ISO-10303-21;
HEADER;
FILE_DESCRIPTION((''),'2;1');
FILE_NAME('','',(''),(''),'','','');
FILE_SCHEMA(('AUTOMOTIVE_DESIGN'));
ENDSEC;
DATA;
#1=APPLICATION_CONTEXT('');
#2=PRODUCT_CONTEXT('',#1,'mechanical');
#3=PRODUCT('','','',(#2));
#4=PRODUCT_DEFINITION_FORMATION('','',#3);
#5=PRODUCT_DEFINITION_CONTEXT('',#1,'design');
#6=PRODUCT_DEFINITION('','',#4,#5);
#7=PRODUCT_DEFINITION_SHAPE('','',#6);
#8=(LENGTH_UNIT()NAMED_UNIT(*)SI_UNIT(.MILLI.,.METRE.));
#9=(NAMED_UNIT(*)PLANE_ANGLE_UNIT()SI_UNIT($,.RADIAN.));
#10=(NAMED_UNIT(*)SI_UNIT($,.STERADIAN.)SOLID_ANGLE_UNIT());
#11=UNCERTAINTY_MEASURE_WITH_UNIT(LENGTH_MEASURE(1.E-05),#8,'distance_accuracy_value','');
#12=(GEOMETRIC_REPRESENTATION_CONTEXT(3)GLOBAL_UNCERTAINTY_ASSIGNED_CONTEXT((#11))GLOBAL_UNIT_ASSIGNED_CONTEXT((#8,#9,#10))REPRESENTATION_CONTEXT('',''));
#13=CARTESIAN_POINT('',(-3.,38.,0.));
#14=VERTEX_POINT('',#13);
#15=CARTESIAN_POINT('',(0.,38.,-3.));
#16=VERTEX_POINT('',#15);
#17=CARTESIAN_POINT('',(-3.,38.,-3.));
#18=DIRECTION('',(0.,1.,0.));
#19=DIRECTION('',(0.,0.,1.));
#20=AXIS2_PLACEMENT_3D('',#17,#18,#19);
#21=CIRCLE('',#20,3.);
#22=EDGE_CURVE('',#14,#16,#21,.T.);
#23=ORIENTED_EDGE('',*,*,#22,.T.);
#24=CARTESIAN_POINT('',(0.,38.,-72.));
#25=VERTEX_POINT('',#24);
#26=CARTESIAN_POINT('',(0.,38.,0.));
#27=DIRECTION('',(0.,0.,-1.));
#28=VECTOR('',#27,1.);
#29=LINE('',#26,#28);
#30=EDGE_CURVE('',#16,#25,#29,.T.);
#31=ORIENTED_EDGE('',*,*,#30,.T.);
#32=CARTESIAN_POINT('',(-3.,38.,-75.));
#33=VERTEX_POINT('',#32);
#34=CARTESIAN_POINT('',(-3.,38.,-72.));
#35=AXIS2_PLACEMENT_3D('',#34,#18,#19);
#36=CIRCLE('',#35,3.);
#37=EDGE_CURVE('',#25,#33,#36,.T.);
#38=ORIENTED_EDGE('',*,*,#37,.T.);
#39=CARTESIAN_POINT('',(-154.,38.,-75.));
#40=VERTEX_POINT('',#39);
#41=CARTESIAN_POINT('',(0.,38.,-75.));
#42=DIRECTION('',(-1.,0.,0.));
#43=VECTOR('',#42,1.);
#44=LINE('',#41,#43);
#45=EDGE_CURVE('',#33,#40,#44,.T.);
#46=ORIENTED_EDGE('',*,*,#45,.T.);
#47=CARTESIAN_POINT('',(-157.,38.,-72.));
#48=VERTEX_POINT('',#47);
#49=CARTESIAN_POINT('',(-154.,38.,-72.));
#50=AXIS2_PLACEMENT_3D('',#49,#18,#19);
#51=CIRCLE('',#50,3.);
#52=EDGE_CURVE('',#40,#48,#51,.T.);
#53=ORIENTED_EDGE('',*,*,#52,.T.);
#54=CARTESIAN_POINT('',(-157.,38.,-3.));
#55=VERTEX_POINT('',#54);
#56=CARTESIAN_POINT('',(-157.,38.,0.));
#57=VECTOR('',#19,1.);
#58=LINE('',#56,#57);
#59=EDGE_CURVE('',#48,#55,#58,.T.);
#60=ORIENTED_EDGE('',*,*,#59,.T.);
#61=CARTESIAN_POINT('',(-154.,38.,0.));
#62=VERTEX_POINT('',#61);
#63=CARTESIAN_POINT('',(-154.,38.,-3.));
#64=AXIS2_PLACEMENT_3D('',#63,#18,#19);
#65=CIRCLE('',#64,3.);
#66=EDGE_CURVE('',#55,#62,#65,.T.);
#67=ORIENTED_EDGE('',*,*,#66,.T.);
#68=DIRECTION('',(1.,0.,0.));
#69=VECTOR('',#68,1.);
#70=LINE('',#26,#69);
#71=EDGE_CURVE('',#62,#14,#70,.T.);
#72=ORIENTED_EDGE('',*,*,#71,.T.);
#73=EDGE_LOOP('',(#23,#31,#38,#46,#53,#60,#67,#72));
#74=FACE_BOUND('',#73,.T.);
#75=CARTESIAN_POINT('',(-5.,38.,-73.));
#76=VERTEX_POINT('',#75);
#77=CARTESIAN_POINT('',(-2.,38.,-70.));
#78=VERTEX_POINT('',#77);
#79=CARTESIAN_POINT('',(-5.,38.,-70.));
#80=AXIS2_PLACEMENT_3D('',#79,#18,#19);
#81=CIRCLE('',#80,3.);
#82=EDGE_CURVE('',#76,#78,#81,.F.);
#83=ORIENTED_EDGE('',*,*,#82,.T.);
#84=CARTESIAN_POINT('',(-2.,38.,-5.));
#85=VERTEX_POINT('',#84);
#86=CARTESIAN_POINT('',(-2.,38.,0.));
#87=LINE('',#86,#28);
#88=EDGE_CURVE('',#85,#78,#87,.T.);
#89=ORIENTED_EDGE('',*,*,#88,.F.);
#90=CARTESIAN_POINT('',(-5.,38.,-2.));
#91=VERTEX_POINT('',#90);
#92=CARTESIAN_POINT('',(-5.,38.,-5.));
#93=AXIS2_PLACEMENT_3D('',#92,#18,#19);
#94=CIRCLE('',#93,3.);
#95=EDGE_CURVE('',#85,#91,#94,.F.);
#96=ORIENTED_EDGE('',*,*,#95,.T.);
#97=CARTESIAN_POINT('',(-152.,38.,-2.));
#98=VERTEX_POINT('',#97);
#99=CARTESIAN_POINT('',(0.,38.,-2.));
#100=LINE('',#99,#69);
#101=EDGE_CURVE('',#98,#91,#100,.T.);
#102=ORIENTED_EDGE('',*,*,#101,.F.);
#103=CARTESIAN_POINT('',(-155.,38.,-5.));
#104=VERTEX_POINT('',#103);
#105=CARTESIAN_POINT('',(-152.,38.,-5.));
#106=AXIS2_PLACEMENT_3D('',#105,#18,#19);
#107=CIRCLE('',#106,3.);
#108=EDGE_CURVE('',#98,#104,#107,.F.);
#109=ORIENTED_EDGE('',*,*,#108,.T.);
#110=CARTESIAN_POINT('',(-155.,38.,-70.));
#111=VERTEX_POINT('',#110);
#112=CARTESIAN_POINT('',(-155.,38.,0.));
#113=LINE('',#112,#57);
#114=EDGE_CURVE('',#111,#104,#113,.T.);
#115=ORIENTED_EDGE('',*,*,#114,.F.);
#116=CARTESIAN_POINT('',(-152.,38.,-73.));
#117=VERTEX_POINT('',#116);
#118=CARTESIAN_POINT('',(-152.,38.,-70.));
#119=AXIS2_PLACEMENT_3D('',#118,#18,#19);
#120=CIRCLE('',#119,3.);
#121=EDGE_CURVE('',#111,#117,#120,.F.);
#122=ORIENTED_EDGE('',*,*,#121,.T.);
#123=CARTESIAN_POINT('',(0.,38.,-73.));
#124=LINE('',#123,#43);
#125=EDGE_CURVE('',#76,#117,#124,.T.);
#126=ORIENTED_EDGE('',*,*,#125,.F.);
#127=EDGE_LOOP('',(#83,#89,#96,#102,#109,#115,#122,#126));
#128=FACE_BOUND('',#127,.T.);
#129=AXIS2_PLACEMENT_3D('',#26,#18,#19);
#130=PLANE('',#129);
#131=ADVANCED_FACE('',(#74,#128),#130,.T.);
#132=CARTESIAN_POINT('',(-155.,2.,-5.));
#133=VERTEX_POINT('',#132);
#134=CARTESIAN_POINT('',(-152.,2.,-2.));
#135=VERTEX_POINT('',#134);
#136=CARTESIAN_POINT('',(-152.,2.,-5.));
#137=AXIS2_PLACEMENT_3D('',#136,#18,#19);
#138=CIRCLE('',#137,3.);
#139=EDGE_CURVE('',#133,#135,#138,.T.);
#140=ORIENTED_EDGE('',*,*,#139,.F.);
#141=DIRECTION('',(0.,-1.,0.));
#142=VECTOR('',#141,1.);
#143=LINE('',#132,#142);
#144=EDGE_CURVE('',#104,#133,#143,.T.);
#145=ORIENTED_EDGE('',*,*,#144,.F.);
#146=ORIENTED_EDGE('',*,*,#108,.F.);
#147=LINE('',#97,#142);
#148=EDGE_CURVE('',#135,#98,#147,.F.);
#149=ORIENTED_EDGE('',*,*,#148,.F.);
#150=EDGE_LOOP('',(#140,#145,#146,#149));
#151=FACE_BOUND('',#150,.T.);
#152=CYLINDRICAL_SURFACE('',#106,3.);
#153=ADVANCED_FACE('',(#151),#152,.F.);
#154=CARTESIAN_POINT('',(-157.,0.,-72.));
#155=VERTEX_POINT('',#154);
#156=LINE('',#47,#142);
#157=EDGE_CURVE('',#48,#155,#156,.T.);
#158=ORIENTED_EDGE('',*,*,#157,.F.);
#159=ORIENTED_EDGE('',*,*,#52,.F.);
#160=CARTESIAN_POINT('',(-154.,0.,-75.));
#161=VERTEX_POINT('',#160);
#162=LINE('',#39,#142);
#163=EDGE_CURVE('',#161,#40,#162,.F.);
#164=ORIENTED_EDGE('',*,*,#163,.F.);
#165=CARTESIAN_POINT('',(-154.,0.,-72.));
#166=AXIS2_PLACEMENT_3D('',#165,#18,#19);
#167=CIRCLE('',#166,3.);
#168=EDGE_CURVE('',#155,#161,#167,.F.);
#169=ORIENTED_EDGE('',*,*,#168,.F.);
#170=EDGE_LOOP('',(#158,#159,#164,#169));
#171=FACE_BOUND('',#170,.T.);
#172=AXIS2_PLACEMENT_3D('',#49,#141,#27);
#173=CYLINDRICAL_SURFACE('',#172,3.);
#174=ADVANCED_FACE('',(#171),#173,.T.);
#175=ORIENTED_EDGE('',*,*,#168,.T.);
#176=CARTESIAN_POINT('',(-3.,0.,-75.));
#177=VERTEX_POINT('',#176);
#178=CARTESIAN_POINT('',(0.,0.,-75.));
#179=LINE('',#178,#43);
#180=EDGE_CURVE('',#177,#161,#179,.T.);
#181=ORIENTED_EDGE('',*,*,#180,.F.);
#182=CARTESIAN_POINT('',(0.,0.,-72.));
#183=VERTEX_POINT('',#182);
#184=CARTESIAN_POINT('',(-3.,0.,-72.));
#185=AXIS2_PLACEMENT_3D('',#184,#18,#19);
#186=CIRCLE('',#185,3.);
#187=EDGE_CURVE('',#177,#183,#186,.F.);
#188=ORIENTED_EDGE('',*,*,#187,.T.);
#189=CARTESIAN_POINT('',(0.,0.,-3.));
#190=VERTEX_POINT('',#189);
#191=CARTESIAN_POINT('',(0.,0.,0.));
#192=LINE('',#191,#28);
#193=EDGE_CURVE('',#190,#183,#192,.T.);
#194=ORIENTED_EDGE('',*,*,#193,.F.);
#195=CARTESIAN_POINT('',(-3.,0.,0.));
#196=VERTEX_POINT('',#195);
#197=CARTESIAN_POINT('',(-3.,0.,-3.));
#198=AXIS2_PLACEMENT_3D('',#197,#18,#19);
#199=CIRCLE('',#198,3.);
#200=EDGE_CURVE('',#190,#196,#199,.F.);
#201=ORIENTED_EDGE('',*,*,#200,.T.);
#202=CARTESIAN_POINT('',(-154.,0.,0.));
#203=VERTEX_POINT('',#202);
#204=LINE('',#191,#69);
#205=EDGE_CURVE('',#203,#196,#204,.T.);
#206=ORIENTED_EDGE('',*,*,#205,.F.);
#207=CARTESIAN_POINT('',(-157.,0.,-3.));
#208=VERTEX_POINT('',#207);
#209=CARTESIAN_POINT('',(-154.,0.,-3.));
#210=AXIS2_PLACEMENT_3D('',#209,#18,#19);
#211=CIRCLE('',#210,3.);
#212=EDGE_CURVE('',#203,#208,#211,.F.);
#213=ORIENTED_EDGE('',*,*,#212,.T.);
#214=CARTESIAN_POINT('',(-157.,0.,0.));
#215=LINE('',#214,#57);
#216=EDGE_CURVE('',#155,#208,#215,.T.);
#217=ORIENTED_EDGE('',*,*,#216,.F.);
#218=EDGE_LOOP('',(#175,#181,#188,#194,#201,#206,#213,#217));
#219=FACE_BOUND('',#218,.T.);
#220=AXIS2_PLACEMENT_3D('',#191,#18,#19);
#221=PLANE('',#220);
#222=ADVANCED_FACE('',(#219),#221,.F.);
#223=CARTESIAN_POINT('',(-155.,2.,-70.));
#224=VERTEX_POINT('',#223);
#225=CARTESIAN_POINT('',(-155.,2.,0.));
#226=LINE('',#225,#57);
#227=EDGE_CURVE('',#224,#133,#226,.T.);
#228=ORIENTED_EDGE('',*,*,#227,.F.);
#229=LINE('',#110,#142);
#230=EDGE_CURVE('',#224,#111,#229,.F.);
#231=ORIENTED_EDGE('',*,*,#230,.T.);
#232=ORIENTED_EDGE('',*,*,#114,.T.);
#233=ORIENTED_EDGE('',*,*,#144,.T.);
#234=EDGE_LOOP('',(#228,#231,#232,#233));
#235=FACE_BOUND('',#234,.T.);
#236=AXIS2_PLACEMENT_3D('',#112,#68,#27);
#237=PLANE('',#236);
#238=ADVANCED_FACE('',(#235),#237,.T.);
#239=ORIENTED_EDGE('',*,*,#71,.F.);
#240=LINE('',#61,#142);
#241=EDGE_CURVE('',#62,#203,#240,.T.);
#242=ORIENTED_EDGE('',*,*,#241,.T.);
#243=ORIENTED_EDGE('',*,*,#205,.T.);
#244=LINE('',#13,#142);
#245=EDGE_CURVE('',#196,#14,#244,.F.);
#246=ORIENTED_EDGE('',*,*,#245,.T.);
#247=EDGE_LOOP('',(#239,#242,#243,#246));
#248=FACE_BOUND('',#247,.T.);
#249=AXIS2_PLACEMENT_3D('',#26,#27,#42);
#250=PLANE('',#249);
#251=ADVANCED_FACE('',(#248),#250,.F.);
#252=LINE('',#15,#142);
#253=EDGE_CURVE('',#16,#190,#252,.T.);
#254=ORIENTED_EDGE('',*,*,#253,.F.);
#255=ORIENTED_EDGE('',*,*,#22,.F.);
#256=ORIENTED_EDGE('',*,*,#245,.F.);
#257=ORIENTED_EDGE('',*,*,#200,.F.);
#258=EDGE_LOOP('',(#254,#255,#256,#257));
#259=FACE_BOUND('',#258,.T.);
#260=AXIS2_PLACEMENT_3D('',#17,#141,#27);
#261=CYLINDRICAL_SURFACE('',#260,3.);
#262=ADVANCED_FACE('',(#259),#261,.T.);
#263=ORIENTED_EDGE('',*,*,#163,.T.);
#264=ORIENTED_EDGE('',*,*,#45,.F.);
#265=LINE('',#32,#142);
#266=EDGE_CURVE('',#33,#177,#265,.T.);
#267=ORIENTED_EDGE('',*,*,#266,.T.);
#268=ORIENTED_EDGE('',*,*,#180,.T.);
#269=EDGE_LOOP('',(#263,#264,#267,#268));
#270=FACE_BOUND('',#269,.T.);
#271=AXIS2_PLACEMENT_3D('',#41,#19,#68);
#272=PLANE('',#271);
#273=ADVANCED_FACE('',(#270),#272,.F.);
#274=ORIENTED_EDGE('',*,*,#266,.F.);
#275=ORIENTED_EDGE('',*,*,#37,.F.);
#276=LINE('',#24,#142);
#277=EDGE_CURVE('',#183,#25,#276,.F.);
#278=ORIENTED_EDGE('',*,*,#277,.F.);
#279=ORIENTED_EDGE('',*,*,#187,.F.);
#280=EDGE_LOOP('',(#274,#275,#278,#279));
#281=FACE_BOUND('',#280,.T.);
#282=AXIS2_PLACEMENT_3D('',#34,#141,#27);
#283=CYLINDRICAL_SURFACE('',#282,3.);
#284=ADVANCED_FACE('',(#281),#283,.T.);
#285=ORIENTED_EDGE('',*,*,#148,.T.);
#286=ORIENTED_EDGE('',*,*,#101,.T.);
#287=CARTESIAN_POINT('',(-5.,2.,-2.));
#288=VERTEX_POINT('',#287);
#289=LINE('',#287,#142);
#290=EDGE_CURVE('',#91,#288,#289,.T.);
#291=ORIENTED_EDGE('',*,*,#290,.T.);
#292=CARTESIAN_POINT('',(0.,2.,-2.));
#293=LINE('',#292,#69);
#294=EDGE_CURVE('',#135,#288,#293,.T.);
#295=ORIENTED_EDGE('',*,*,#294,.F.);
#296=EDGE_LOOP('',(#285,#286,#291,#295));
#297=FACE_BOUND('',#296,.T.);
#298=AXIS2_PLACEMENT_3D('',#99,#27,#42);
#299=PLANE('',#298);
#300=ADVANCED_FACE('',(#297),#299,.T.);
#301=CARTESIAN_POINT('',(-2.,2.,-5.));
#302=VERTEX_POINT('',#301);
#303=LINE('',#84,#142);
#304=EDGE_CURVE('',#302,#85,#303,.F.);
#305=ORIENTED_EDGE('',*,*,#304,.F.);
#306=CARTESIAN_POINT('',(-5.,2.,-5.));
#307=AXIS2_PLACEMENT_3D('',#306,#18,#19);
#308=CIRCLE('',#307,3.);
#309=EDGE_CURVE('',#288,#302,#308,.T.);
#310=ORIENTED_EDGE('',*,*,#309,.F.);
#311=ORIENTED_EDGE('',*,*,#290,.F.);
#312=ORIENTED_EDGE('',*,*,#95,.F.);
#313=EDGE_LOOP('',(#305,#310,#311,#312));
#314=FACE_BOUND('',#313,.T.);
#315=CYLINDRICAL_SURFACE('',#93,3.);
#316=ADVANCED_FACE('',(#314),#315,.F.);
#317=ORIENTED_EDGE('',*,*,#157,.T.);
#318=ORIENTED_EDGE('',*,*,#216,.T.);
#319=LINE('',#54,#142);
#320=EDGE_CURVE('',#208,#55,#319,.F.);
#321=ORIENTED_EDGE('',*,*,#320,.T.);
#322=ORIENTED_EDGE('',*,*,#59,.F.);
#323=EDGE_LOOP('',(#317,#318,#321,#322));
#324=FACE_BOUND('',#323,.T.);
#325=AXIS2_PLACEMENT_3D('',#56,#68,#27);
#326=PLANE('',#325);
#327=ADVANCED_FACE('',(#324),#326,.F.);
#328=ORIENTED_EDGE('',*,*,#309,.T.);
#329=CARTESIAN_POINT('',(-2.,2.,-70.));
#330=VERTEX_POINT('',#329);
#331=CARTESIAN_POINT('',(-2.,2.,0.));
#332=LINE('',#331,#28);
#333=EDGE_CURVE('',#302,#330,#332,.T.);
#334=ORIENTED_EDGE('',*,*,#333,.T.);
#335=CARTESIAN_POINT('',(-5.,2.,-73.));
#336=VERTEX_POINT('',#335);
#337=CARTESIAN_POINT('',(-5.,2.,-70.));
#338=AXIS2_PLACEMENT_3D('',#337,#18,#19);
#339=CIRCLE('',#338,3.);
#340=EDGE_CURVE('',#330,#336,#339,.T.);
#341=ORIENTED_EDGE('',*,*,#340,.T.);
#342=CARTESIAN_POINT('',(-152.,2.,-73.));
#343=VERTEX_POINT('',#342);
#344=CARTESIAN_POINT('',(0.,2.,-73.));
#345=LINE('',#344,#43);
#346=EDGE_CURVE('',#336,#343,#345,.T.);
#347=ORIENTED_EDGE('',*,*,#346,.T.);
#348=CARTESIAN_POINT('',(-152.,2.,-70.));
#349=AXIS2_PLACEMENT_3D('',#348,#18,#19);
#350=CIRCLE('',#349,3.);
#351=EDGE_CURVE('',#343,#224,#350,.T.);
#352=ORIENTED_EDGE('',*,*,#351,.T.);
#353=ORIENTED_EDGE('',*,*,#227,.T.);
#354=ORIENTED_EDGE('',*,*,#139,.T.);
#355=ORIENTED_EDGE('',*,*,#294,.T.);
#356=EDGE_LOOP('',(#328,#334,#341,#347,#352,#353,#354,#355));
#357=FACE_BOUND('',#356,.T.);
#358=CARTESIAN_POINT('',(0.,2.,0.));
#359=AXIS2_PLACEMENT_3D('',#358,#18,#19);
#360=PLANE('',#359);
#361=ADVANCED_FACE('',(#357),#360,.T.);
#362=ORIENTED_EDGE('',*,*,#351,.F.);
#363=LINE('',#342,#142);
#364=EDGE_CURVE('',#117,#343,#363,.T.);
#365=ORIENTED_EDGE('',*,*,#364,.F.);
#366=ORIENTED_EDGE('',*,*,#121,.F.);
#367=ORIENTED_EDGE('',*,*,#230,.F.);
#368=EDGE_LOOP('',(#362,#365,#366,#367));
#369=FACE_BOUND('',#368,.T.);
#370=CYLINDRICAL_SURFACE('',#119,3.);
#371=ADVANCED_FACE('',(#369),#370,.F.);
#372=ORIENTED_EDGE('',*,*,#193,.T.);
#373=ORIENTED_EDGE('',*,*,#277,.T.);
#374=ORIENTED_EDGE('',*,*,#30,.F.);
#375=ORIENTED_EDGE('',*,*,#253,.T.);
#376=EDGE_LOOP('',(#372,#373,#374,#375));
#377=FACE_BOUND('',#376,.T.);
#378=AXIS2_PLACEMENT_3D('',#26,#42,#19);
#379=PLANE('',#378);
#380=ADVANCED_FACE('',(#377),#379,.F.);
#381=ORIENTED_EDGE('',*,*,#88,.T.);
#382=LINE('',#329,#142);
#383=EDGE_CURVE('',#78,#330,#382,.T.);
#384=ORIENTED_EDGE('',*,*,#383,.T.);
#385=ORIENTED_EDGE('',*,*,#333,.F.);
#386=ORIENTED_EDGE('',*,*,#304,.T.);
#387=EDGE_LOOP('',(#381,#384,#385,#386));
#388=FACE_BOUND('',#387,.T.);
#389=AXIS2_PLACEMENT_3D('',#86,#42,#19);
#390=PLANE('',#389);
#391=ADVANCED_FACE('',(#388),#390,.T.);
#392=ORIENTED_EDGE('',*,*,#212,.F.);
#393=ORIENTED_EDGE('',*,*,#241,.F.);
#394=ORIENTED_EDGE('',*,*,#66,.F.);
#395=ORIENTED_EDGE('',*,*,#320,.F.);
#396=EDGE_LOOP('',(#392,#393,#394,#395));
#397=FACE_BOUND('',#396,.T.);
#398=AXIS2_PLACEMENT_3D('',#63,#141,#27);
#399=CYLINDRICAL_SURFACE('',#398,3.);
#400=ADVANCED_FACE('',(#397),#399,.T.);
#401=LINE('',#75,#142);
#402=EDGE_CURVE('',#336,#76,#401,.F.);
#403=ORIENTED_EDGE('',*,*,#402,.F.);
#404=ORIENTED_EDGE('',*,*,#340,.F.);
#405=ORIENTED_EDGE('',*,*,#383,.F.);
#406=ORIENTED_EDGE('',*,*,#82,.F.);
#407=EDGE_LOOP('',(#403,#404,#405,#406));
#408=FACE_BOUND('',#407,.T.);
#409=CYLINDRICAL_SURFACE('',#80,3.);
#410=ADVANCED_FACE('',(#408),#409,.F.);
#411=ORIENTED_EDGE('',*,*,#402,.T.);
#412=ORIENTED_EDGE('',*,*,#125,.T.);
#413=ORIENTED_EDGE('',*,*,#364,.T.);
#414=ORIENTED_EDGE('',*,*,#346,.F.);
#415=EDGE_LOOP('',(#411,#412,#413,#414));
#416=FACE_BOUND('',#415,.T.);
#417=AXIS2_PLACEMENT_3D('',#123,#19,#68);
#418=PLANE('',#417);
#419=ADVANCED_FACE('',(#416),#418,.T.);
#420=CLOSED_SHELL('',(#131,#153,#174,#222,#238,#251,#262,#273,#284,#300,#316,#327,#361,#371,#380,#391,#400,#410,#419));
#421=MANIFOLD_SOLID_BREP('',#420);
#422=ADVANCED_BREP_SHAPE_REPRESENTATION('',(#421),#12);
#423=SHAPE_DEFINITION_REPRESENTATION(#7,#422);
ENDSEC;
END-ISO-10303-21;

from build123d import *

# Parameters (mm, degrees)
SKETCH1_W           = 157
SKETCH1_H           = 75
BOSS_EXTRUDE1_DEPTH = 38
SHELL1_T            = -2
FILLET1_R           = 3


with BuildPart() as part:
    # Sketch1 → Boss-Extrude1 (new body)
    with BuildSketch(Plane(origin=(0, 0, 0), x_dir=(1, 0, 0), z_dir=(0, 1, 0))):
        with Locations((-78.5, 37.5)):
            Rectangle(SKETCH1_W, SKETCH1_H)
    extrude(amount=BOSS_EXTRUDE1_DEPTH)

    # Shell1
    shell1_openings = [part.faces().sort_by_distance(p)[0] for p in [
        (-78.5, 38, -37.5),
    ]]
    offset(amount=SHELL1_T, openings=shell1_openings, kind=Kind.INTERSECTION)

    # Fillet1
    fillet1_edges = [part.edges().sort_by_distance(p)[0] for p in [
        (-2, 20, -2),
        (-2, 20, -73),
        (-155, 20, -73),
        (-155, 20, -2),
        (0, 19, 0),
        (-157, 19, 0),
        (-157, 19, -75),
        (0, 19, -75),
    ]]
    fillet(fillet1_edges, radius=FILLET1_R)


solid = part.part
